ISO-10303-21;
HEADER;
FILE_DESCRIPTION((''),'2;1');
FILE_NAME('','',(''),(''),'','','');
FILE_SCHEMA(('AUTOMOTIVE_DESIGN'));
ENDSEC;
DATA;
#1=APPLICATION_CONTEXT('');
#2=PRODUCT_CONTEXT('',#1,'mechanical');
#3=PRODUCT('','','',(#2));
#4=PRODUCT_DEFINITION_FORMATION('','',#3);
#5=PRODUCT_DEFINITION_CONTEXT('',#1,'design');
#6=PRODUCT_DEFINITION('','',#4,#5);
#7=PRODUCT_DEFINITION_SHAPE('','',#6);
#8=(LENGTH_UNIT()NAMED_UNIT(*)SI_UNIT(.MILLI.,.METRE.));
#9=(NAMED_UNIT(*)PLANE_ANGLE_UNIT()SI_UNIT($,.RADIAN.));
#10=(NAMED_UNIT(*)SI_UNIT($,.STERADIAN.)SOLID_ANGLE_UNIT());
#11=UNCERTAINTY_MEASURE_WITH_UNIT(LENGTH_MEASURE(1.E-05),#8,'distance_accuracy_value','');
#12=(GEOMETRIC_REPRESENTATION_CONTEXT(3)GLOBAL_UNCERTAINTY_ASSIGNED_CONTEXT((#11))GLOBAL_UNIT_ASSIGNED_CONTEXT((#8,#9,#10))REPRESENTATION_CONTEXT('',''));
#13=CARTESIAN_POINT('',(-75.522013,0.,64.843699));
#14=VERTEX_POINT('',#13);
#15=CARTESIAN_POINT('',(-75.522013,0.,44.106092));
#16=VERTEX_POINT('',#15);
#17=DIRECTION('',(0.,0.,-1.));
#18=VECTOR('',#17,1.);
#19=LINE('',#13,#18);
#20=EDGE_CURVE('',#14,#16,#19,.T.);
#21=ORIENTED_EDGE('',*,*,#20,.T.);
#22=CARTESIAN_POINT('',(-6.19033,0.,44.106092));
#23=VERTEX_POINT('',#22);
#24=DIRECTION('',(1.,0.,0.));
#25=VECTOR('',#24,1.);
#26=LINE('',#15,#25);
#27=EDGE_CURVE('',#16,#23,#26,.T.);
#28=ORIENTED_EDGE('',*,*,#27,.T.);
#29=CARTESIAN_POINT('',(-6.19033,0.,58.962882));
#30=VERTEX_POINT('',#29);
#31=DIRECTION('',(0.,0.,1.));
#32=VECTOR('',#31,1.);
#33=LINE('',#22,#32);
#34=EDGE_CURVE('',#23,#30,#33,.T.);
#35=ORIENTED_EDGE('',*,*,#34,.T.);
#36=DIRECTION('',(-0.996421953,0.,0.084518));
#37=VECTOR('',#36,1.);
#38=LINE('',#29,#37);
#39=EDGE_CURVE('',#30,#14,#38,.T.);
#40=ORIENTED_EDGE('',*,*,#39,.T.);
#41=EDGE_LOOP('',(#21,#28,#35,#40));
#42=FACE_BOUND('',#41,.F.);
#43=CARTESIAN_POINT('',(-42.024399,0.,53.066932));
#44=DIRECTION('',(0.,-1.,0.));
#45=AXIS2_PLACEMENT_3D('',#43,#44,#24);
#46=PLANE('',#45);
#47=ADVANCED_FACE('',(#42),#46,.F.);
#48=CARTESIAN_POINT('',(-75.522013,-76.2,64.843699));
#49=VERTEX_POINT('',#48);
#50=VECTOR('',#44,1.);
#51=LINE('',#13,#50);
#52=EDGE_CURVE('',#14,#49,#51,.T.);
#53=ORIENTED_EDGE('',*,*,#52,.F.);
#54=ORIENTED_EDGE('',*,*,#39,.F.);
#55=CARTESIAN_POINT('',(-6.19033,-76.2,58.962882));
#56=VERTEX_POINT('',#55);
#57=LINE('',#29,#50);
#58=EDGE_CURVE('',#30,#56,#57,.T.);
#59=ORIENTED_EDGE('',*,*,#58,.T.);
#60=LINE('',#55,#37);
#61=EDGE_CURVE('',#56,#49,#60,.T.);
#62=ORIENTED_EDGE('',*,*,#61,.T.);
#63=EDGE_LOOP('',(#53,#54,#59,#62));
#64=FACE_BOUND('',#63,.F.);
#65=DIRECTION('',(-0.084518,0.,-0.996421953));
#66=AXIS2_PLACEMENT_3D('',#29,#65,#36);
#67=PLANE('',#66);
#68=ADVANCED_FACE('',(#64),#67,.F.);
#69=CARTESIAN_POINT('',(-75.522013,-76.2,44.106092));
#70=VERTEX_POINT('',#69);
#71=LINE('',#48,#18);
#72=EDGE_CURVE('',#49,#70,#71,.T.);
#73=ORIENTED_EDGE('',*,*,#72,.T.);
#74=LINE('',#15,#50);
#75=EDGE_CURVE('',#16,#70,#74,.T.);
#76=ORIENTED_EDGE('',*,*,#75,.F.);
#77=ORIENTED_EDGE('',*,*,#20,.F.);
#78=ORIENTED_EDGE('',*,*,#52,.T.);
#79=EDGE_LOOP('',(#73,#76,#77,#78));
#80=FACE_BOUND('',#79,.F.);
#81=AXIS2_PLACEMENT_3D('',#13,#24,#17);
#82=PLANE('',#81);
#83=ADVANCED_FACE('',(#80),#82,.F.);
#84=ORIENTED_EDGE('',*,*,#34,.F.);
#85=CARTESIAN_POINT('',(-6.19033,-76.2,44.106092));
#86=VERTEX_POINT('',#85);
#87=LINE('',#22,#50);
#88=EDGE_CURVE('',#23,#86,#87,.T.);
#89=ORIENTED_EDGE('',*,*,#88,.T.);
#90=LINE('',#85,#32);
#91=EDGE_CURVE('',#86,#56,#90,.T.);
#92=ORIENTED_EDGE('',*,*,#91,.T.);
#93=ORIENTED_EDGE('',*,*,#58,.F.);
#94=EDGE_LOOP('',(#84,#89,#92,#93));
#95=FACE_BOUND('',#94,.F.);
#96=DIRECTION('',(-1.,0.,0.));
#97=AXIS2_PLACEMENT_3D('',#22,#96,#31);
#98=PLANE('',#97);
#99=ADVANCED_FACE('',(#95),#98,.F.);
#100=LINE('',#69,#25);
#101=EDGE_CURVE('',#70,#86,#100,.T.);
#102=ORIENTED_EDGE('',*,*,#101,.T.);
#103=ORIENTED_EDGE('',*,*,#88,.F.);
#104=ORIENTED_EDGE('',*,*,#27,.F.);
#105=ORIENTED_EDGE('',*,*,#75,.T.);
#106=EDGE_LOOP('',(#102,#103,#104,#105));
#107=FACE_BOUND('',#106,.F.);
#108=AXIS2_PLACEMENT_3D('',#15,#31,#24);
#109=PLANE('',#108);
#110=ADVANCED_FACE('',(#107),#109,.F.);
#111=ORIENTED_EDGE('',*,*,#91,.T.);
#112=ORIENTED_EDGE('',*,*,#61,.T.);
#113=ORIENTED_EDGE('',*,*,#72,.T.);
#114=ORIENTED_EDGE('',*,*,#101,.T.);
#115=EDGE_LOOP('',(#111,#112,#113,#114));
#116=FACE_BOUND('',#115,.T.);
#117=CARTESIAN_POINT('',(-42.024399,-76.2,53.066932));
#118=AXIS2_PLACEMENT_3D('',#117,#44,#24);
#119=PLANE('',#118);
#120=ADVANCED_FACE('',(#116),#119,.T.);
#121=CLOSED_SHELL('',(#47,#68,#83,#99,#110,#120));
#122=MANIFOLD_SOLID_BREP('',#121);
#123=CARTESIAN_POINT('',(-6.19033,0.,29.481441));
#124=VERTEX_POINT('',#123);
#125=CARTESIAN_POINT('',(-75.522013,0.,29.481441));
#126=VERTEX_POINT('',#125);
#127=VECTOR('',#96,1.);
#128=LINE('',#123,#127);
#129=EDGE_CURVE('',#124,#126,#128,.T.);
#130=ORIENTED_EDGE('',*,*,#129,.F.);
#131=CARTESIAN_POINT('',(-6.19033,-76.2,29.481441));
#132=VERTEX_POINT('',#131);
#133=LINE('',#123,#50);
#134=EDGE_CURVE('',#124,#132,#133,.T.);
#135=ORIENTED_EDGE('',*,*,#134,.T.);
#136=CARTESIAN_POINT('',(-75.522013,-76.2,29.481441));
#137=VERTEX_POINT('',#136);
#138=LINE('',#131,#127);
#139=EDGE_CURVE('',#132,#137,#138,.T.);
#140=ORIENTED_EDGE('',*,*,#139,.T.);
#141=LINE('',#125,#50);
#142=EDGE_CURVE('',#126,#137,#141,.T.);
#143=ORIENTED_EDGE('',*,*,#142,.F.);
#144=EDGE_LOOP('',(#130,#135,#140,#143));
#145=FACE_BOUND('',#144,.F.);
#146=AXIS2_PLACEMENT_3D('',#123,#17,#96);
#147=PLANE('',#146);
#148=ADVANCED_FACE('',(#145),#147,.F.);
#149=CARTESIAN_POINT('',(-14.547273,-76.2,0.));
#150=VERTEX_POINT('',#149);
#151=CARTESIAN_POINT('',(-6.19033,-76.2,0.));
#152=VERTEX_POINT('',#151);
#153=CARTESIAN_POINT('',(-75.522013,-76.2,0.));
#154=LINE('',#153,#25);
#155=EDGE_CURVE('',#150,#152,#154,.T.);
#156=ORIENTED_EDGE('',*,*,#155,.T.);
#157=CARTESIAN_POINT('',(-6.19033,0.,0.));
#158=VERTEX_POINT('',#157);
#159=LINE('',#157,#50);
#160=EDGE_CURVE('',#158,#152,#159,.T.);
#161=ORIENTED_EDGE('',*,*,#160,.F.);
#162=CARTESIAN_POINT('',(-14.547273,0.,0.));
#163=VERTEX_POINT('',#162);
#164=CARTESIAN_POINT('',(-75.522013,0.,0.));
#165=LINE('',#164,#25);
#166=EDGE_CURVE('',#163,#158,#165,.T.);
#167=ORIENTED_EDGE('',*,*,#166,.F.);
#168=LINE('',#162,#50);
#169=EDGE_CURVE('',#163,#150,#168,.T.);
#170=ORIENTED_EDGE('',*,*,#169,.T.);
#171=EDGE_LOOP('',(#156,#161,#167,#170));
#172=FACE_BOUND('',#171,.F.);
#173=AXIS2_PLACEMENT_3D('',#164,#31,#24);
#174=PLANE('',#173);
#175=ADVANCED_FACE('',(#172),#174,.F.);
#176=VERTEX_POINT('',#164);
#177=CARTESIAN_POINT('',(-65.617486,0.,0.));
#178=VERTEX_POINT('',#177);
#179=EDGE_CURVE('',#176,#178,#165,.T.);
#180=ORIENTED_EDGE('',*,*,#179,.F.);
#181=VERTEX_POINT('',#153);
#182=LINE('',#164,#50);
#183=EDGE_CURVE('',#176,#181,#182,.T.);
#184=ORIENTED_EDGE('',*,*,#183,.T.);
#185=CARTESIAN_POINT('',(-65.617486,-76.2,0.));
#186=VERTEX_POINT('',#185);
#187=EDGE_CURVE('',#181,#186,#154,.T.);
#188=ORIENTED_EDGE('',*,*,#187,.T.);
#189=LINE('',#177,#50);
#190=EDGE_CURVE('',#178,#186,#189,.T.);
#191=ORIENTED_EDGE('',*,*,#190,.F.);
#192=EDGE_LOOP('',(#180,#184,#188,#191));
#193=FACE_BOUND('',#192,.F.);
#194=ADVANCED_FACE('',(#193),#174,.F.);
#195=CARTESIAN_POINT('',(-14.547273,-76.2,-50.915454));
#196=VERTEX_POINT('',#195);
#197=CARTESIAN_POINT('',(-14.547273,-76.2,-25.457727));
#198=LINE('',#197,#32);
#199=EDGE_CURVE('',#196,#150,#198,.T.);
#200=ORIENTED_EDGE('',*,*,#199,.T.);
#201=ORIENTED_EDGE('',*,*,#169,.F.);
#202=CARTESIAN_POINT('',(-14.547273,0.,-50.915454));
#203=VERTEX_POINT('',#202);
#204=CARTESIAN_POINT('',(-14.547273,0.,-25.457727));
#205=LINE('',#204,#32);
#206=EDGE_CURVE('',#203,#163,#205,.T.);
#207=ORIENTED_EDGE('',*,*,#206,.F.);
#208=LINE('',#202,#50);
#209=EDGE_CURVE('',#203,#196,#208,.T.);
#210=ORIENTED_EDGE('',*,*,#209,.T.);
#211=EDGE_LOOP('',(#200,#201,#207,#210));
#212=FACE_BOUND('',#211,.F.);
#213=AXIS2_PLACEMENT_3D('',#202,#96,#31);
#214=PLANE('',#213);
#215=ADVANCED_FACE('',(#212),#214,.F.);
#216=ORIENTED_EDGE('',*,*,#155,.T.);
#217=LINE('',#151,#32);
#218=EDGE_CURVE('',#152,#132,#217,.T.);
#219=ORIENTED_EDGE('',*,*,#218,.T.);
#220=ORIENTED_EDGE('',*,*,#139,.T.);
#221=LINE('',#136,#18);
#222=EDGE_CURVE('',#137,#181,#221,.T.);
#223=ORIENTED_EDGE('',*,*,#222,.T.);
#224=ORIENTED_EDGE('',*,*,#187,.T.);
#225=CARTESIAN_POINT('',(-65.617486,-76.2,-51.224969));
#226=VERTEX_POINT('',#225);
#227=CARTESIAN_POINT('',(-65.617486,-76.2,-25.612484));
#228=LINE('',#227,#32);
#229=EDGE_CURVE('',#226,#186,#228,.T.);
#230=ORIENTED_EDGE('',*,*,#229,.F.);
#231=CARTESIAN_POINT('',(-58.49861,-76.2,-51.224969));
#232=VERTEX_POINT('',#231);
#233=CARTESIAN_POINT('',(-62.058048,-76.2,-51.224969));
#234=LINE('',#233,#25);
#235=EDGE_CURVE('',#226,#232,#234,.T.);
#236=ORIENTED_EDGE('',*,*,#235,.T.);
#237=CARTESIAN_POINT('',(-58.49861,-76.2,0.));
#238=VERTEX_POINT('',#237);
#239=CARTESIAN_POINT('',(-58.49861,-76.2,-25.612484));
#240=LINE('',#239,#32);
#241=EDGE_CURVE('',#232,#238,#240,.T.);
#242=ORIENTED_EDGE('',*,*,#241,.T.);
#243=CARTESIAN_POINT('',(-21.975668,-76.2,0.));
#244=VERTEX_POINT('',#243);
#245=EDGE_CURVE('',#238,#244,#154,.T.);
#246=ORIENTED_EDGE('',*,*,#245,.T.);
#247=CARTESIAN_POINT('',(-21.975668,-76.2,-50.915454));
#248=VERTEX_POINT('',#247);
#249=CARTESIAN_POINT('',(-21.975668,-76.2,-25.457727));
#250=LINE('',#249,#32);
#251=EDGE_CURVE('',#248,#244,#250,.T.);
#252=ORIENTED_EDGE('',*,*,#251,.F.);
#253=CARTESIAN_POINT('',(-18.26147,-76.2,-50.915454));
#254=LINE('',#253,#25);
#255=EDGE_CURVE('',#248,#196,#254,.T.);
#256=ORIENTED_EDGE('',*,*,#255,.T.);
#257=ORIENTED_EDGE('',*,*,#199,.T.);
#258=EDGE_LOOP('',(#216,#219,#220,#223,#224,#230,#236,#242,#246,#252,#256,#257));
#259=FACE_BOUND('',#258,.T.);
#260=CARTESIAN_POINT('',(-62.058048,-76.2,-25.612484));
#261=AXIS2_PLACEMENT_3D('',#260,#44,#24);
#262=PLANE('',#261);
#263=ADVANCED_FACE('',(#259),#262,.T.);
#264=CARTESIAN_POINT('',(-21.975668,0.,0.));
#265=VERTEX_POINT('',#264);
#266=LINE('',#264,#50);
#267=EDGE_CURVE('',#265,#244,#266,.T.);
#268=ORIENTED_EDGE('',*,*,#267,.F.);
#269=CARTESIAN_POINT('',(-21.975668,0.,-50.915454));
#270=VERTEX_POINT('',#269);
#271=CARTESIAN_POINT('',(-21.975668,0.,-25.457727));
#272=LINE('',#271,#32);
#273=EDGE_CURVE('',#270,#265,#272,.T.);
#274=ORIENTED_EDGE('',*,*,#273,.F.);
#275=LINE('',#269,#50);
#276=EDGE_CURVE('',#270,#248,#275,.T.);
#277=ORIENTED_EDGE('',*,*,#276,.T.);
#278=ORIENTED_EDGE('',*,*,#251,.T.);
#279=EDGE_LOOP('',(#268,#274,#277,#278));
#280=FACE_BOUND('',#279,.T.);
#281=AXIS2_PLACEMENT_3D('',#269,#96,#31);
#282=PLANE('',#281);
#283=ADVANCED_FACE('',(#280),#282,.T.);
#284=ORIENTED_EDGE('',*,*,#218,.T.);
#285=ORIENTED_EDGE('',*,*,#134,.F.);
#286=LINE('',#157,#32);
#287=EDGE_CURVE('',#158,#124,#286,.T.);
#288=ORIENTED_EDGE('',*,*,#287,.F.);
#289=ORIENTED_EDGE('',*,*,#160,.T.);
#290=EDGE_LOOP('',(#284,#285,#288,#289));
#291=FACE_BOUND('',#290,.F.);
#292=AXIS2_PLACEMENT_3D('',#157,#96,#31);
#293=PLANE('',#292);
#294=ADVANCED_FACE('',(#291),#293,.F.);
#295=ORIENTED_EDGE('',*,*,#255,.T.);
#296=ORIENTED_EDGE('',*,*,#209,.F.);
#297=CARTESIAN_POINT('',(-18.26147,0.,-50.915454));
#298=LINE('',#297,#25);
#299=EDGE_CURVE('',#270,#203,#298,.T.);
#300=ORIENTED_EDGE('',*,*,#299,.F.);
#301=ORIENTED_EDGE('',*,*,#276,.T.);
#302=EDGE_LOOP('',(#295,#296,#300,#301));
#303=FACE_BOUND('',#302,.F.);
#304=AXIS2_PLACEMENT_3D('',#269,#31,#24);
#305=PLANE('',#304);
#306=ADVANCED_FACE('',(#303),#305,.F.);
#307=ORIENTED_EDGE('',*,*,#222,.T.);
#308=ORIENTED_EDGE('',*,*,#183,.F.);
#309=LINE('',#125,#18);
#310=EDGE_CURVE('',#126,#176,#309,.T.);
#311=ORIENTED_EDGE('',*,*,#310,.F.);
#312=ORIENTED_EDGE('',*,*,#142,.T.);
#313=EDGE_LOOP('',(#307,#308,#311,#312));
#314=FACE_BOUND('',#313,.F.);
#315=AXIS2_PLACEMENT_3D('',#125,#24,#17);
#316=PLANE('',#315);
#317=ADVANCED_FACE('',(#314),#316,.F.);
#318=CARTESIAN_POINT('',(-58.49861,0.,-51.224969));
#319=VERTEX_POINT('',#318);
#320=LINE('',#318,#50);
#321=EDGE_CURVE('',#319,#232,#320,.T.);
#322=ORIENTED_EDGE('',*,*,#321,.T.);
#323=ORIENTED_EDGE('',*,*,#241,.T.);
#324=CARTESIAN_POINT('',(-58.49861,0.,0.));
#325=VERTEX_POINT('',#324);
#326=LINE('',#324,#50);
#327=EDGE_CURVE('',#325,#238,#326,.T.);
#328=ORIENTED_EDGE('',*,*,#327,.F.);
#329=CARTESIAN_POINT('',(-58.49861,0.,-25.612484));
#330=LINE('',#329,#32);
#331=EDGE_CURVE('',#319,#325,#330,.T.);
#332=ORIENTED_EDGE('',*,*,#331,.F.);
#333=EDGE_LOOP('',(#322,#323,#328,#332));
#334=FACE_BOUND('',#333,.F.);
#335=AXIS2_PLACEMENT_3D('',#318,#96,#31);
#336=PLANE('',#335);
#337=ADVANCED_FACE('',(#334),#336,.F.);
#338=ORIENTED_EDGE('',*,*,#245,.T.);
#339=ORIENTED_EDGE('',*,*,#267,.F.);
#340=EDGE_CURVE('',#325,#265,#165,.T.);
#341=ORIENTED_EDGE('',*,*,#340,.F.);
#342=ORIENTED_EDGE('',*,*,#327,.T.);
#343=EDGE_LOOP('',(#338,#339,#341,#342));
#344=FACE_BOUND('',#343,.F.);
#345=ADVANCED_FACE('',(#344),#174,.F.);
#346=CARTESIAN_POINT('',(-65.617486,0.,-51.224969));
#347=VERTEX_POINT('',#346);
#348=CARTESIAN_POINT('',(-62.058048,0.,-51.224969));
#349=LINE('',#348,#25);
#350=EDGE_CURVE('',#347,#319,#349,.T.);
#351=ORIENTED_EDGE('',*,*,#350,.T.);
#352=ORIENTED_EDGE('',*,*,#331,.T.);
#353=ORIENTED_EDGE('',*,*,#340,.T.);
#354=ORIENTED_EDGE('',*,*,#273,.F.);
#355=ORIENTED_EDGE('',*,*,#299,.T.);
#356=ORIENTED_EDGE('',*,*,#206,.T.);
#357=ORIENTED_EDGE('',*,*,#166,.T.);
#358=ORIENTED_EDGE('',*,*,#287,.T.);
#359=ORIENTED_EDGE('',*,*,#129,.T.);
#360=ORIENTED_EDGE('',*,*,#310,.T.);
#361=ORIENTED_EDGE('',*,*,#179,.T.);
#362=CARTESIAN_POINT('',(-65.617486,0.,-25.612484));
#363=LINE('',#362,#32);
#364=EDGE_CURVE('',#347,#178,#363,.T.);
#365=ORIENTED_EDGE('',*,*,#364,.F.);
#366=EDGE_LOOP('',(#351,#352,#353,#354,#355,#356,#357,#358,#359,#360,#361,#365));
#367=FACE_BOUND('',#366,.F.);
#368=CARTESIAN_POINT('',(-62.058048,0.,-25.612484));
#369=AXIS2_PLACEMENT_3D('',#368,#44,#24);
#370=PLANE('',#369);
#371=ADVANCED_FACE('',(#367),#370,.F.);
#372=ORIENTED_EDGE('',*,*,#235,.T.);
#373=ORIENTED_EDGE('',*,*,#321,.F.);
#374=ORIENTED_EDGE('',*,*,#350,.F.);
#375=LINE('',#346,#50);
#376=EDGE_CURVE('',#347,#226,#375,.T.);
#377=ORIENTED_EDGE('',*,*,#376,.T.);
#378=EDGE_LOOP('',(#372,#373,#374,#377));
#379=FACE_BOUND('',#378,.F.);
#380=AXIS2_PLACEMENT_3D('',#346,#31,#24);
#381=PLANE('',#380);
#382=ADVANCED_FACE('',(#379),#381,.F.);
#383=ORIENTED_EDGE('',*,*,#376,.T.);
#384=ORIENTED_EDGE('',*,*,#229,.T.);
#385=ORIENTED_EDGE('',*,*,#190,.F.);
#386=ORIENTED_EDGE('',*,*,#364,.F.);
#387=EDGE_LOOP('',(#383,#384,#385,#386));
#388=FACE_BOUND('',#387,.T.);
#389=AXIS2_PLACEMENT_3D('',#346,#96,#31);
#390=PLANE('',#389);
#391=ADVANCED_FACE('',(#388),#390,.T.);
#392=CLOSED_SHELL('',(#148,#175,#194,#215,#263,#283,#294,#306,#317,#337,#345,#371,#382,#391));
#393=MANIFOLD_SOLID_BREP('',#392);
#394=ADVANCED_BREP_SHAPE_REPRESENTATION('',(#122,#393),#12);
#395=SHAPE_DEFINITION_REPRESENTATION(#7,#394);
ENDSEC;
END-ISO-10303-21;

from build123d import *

# Parameters (mm, degrees)
F1_DEPTH = 76.2
F0_W     = 7.118877
F0_H     = 51.224969
F2_DEPTH = 76.2
F0_W_2   = 7.428395
F0_H_2   = 50.915454
F3_DEPTH = 76.2


with BuildPart() as f1:
    # F0 (on Front) → F1 (new body)
    with BuildSketch(Plane.XZ):
        Polygon((-75.522013, 64.843699), (-75.522013, 44.106092), (-6.19033, 44.106092), (-6.19033, 58.962882), align=None)
        Polygon((-75.522013, 0), (-65.617487, 0), (-58.49861, 0), (-21.975668, 0), (-14.547273, 0), (-6.19033, 0), (-6.19033, 29.481441), (-75.522013, 29.481441), align=None)
    extrude(amount=F1_DEPTH)

    # F0 (on Front) → F2 (join)
    with BuildSketch(Plane.XZ):
        with Locations((-62.058048, -25.612484)):
            Rectangle(F0_W, F0_H)
    extrude(amount=F2_DEPTH)

    # F0 (on Front) → F3 (join)
    with BuildSketch(Plane.XZ):
        with Locations((-18.26147, -25.457727)):
            Rectangle(F0_W_2, F0_H_2)
    extrude(amount=F3_DEPTH)


solid = f1.part
